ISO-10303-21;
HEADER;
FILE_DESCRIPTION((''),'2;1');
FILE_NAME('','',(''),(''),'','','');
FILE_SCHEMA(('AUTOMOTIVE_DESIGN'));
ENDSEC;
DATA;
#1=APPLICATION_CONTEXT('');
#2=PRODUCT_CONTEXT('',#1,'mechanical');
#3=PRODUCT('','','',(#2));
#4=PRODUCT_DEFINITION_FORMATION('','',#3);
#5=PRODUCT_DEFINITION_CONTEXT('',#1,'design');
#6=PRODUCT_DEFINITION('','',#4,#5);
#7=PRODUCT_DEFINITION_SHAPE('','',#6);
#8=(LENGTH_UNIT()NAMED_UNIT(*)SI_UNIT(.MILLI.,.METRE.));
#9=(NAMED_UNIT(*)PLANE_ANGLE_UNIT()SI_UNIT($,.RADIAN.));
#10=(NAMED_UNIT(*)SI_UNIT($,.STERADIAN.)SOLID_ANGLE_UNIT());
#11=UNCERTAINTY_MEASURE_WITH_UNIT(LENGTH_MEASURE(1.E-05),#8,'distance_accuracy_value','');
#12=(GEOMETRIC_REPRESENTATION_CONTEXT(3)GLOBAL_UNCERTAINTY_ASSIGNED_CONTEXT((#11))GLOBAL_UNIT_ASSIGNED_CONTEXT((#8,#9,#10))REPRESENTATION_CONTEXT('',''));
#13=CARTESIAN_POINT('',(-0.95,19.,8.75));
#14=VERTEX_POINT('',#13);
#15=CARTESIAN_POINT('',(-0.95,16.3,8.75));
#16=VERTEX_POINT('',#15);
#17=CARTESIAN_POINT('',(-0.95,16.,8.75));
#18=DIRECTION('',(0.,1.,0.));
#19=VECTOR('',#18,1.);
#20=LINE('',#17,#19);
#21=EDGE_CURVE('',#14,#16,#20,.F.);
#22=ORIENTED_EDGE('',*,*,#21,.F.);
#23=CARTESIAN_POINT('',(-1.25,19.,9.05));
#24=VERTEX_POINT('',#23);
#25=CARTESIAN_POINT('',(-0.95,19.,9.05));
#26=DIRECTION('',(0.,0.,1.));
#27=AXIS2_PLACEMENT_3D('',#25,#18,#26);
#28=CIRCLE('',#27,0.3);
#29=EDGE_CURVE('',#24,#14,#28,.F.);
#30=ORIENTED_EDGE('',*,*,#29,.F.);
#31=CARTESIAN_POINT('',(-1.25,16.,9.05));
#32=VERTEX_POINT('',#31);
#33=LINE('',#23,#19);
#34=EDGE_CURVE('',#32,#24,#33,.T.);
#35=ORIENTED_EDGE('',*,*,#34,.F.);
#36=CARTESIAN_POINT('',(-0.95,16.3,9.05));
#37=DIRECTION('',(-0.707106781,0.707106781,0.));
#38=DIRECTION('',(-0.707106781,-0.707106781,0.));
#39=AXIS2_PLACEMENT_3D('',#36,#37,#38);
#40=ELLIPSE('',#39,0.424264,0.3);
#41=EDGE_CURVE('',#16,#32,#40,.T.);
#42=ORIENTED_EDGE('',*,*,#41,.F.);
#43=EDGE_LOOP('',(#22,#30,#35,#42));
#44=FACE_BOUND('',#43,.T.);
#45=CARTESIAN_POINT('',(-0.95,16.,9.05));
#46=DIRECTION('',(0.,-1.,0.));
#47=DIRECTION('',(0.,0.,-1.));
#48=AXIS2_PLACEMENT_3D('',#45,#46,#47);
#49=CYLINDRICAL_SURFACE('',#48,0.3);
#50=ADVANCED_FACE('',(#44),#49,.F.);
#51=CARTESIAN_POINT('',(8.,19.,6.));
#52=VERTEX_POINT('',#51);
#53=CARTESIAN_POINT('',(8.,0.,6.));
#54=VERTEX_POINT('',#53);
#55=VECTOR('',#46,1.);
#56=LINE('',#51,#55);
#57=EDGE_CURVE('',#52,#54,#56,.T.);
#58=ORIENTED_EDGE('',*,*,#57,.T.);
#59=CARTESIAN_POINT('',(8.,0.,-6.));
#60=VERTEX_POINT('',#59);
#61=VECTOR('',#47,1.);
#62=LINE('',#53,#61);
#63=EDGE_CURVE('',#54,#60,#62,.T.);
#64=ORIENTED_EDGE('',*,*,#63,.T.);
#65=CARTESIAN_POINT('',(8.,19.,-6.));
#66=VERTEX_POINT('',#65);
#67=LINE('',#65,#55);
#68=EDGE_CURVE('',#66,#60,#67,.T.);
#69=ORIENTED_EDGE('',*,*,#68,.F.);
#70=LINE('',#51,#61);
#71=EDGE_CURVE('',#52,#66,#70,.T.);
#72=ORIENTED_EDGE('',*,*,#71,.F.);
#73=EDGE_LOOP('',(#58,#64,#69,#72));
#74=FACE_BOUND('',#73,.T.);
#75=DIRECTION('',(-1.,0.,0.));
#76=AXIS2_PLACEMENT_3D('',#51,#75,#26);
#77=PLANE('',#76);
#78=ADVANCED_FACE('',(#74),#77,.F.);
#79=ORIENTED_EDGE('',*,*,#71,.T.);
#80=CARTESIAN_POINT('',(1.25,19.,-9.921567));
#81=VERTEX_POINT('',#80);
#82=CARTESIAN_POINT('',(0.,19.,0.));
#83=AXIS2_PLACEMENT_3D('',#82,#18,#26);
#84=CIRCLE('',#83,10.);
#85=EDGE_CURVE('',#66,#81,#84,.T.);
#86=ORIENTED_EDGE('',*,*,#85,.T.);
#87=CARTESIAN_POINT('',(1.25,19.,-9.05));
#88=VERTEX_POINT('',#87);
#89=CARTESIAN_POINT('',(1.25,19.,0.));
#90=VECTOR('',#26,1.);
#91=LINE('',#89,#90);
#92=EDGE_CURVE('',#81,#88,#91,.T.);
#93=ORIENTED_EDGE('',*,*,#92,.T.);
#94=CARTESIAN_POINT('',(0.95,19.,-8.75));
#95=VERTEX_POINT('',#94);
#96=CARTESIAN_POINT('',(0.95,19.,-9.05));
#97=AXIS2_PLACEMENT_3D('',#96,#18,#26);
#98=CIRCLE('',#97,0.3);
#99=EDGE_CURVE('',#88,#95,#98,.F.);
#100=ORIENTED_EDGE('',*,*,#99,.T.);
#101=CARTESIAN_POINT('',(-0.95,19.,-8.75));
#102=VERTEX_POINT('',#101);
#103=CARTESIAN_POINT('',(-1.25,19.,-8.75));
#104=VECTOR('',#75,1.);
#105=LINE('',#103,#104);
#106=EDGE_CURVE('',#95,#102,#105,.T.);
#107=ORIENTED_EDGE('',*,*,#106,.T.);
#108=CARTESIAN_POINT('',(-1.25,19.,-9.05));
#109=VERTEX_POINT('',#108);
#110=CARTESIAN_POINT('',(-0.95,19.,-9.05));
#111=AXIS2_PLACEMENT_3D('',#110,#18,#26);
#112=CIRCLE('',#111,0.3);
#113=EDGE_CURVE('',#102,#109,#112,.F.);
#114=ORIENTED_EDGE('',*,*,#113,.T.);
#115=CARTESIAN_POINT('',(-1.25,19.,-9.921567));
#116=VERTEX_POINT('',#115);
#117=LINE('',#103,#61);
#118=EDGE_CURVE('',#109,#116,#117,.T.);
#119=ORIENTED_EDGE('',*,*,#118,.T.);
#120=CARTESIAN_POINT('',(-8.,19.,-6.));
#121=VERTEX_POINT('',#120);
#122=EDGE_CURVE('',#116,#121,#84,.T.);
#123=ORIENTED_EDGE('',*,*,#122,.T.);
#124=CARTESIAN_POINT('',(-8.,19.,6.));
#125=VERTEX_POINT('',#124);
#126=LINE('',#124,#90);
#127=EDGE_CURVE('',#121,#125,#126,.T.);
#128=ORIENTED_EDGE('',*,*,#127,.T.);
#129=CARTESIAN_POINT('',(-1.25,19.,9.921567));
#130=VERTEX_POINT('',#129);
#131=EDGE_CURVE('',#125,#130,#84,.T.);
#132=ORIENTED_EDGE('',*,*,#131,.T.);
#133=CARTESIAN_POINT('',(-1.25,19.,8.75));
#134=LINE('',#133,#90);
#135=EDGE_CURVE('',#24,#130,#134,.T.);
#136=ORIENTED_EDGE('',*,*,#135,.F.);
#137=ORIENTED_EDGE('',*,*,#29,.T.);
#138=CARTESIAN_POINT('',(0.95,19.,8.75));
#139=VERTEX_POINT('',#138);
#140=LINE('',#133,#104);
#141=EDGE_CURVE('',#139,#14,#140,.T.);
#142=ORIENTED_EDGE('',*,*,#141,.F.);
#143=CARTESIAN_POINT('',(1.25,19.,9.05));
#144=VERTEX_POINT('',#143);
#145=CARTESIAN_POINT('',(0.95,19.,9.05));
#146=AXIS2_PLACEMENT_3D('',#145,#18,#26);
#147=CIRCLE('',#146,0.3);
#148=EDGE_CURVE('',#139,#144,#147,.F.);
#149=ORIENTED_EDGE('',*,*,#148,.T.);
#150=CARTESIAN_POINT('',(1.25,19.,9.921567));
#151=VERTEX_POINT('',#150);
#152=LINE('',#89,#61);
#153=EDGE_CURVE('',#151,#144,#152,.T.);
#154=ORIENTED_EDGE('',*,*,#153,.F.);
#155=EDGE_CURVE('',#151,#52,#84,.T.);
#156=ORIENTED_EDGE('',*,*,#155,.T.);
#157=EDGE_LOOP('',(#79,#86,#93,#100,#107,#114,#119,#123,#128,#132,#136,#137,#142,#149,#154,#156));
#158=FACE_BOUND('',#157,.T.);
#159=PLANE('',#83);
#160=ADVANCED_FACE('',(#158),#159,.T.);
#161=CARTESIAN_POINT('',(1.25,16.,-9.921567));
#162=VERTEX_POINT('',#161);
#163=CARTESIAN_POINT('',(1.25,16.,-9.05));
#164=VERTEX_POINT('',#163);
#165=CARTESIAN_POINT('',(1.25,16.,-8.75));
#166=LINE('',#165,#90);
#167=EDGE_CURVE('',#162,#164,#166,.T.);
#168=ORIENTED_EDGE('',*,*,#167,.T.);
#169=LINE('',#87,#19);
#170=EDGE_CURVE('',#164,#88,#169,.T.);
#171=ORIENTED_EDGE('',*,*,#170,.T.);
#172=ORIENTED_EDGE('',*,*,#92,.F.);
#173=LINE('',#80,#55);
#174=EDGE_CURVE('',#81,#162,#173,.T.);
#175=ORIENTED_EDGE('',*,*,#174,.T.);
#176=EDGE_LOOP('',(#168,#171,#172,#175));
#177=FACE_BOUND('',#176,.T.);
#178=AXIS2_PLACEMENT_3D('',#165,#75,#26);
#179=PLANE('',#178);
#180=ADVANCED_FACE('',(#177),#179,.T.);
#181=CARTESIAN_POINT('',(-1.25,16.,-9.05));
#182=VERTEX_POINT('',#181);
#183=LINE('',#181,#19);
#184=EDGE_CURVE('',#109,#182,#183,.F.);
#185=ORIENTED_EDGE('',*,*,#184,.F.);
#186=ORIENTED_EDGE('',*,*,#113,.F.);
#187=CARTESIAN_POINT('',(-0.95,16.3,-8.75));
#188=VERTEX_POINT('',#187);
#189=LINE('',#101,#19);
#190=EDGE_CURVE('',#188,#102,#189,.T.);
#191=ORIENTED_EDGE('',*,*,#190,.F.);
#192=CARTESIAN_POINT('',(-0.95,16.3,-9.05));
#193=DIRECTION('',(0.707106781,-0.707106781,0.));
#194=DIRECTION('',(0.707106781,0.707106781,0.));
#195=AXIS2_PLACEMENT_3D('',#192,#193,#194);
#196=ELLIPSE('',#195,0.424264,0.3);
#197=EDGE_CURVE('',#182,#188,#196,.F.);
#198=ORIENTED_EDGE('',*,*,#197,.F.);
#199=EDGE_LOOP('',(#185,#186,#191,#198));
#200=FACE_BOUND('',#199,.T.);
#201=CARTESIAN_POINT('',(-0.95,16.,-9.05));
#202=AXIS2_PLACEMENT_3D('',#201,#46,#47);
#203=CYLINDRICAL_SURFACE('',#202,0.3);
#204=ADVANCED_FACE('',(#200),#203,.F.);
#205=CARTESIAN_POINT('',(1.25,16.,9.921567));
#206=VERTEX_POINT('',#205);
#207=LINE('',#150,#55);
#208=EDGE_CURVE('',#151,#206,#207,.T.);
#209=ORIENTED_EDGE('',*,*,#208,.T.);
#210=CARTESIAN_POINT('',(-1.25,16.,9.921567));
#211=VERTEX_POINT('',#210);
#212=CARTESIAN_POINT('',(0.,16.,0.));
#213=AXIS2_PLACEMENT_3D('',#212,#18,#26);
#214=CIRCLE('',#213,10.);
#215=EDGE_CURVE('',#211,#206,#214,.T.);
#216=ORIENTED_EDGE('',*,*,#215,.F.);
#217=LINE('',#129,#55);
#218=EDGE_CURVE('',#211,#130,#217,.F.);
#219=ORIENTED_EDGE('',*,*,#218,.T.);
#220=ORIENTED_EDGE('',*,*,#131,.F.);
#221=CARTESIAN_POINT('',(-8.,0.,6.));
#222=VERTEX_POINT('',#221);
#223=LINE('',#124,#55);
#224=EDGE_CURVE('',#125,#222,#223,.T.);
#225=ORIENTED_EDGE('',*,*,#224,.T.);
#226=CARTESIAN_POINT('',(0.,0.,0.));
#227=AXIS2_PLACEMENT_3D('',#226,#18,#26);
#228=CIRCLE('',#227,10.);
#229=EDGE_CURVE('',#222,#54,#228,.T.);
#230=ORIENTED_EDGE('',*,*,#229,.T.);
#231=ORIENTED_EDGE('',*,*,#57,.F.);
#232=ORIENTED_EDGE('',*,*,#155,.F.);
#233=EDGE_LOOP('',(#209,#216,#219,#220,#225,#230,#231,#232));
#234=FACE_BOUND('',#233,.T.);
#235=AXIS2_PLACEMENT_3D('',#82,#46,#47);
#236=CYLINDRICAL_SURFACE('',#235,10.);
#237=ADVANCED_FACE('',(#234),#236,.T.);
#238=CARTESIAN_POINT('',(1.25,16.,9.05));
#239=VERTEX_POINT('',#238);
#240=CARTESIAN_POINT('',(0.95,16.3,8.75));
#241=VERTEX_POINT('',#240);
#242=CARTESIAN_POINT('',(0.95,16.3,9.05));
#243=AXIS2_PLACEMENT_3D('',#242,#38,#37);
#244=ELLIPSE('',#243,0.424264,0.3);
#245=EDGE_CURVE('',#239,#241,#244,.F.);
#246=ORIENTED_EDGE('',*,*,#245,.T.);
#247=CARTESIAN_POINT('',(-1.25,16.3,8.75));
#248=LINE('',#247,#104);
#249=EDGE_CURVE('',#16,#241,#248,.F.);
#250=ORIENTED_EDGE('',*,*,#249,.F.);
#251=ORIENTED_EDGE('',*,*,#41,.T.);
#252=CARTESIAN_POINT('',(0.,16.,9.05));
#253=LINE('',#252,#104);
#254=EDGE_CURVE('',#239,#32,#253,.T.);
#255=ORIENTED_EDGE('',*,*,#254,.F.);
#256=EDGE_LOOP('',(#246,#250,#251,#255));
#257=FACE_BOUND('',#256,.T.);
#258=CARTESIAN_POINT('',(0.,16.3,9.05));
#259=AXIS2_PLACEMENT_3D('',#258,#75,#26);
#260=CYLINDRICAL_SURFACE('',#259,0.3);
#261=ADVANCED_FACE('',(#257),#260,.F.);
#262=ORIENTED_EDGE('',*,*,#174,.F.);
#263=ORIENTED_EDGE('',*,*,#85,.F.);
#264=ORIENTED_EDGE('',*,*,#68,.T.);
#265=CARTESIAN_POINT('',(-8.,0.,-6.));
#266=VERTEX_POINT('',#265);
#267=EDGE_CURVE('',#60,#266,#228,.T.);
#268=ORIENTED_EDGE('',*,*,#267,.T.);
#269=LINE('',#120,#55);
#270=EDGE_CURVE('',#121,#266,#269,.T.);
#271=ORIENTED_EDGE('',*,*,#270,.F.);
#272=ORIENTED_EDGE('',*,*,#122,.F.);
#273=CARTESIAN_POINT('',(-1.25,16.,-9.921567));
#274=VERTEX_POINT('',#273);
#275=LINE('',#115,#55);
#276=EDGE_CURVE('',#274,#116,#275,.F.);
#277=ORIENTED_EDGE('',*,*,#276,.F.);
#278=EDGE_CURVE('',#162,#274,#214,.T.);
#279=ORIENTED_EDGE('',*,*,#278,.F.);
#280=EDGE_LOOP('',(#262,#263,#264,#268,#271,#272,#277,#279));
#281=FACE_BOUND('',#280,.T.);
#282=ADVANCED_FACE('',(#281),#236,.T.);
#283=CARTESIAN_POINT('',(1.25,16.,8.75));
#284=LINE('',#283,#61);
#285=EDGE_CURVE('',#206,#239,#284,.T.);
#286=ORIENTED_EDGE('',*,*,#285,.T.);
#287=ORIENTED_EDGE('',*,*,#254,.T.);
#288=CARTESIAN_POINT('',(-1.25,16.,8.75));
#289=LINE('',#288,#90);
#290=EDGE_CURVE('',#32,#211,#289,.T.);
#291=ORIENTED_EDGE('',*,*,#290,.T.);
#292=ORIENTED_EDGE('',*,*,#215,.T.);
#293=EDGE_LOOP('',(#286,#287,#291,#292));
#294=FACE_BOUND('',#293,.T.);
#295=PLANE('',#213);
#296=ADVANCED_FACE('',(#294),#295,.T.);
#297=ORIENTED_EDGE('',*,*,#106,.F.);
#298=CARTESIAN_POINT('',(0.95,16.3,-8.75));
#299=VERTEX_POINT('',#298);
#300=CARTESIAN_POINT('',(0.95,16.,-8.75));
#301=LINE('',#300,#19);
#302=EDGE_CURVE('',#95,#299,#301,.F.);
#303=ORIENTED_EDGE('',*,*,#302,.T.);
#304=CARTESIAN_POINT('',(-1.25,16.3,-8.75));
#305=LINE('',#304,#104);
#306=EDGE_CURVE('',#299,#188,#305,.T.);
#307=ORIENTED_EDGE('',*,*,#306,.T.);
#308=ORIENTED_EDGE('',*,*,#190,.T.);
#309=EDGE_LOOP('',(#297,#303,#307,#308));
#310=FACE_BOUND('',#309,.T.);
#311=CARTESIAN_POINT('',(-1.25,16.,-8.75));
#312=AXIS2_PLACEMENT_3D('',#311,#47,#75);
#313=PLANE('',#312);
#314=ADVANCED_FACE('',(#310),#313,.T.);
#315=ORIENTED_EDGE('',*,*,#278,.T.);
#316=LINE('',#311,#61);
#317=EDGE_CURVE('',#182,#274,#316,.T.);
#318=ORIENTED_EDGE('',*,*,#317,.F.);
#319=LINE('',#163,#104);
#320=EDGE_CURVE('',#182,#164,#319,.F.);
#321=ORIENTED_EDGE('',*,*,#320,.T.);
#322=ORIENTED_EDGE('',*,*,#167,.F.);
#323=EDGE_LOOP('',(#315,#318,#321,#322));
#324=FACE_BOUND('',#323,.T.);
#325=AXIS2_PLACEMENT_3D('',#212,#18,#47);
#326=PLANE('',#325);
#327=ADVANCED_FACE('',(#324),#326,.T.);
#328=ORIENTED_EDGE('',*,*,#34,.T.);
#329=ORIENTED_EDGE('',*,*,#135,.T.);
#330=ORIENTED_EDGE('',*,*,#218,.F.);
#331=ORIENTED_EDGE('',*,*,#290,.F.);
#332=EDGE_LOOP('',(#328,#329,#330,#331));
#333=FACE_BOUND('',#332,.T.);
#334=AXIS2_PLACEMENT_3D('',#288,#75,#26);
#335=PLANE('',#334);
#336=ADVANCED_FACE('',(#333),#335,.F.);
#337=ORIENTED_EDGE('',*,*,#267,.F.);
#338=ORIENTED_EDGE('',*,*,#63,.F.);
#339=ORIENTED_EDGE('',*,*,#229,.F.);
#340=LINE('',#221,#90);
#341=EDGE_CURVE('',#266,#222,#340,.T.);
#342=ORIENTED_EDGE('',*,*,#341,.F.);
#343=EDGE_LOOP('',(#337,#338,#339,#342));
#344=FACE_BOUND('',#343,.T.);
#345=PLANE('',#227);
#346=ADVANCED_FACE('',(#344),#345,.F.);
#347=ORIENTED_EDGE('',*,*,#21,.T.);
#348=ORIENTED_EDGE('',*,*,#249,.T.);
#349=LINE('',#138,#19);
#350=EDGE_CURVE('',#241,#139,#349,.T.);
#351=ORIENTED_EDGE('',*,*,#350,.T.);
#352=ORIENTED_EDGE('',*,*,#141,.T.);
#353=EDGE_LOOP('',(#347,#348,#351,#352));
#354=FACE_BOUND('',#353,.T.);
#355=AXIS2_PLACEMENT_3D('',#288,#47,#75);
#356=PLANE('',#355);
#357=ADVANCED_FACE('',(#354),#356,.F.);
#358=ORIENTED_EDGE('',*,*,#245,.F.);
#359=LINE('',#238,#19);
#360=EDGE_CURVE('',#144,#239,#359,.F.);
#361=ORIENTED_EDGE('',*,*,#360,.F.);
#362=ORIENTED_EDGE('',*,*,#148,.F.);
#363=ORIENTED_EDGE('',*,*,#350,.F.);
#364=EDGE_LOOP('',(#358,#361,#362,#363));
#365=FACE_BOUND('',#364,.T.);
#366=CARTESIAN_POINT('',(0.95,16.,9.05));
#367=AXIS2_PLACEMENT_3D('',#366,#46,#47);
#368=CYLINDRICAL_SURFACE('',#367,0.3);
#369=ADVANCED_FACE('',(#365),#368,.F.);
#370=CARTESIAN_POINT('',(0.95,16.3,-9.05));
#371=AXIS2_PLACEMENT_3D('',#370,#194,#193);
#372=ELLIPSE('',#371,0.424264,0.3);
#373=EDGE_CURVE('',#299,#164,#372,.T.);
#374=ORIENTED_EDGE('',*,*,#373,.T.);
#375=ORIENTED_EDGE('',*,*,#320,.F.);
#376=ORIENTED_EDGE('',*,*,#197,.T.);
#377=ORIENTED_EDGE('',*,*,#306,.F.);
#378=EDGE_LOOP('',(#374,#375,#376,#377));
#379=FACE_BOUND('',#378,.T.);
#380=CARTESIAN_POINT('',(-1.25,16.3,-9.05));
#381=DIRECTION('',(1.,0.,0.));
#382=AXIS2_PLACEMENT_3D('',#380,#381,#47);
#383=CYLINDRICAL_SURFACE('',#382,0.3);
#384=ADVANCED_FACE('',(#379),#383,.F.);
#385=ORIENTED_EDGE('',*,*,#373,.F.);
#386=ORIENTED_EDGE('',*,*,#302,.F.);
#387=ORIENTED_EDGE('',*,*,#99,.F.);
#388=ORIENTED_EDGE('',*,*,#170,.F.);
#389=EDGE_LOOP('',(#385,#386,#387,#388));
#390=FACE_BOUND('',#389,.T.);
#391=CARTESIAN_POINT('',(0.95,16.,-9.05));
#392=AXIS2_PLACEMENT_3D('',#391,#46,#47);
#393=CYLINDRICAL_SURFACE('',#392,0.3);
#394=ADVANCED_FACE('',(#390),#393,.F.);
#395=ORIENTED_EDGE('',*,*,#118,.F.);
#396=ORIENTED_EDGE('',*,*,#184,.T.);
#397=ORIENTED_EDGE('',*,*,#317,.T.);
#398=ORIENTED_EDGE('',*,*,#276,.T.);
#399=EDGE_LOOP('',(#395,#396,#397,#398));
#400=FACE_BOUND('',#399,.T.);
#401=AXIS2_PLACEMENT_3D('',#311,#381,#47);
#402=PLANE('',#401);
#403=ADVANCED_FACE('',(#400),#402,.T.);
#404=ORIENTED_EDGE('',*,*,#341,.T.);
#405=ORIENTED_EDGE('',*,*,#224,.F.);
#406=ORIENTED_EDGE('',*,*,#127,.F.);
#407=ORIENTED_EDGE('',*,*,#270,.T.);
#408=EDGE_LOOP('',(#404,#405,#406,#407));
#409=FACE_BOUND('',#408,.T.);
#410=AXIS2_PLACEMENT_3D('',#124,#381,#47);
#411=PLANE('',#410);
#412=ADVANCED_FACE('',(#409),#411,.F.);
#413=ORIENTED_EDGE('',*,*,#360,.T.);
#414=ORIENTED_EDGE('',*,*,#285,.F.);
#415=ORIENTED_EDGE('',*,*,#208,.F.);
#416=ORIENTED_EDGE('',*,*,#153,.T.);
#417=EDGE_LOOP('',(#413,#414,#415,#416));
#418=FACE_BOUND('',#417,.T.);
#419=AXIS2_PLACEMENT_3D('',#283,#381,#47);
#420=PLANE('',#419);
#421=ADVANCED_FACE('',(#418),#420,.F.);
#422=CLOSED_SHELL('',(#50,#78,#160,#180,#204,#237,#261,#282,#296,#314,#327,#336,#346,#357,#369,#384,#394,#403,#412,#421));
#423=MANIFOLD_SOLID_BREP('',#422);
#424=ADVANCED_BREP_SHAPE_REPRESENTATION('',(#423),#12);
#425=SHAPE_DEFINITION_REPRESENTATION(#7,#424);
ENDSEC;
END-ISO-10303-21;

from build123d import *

# Parameters (mm, degrees)
BOSS_EXTRUDE1_DEPTH = 19
SKETCH2_W           = 2.5
SKETCH2_H           = 2.5
CUT_EXTRUDE1_DEPTH  = 3
FILLET1_R           = 0.3


with BuildPart() as part:
    # Sketch1 → Boss-Extrude1 (new body)
    with BuildSketch(Plane(origin=(0, 0, 0), x_dir=(1, 0, 0), z_dir=(0, 1, 0))):
        with BuildLine():
            Line((8, -6), (8, 6))
            ThreePointArc((8, 6), (0, 10), (-8, 6))
            Line((-8, 6), (-8, -6))
            ThreePointArc((-8, -6), (0, -10), (8, -6))
        make_face()
    extrude(amount=BOSS_EXTRUDE1_DEPTH)

    # Sketch2 → Cut-Extrude1 (cut)
    with BuildSketch(Plane(origin=(0, 19, 0), x_dir=(1, 0, 0), z_dir=(0, 1, 0))):
        with Locations((0, -10)):
            Rectangle(SKETCH2_W, SKETCH2_H)
    cut_extrude1 = extrude(amount=-CUT_EXTRUDE1_DEPTH, mode=Mode.SUBTRACT)

    # Mirror1: Cut-Extrude1 across plane
    add(cut_extrude1.mirror(Plane.XY), mode=Mode.SUBTRACT)

    # Fillet1
    fillet1_edges = [part.edges().sort_by_distance(p)[0] for p in [
        (1.25, 17.5, 8.75),
        (0, 16, 8.75),
        (-1.25, 17.5, 8.75),
        (0, 16, -8.75),
        (-1.25, 17.5, -8.75),
        (1.25, 17.5, -8.75),
    ]]
    fillet(fillet1_edges, radius=FILLET1_R)


solid = part.part
